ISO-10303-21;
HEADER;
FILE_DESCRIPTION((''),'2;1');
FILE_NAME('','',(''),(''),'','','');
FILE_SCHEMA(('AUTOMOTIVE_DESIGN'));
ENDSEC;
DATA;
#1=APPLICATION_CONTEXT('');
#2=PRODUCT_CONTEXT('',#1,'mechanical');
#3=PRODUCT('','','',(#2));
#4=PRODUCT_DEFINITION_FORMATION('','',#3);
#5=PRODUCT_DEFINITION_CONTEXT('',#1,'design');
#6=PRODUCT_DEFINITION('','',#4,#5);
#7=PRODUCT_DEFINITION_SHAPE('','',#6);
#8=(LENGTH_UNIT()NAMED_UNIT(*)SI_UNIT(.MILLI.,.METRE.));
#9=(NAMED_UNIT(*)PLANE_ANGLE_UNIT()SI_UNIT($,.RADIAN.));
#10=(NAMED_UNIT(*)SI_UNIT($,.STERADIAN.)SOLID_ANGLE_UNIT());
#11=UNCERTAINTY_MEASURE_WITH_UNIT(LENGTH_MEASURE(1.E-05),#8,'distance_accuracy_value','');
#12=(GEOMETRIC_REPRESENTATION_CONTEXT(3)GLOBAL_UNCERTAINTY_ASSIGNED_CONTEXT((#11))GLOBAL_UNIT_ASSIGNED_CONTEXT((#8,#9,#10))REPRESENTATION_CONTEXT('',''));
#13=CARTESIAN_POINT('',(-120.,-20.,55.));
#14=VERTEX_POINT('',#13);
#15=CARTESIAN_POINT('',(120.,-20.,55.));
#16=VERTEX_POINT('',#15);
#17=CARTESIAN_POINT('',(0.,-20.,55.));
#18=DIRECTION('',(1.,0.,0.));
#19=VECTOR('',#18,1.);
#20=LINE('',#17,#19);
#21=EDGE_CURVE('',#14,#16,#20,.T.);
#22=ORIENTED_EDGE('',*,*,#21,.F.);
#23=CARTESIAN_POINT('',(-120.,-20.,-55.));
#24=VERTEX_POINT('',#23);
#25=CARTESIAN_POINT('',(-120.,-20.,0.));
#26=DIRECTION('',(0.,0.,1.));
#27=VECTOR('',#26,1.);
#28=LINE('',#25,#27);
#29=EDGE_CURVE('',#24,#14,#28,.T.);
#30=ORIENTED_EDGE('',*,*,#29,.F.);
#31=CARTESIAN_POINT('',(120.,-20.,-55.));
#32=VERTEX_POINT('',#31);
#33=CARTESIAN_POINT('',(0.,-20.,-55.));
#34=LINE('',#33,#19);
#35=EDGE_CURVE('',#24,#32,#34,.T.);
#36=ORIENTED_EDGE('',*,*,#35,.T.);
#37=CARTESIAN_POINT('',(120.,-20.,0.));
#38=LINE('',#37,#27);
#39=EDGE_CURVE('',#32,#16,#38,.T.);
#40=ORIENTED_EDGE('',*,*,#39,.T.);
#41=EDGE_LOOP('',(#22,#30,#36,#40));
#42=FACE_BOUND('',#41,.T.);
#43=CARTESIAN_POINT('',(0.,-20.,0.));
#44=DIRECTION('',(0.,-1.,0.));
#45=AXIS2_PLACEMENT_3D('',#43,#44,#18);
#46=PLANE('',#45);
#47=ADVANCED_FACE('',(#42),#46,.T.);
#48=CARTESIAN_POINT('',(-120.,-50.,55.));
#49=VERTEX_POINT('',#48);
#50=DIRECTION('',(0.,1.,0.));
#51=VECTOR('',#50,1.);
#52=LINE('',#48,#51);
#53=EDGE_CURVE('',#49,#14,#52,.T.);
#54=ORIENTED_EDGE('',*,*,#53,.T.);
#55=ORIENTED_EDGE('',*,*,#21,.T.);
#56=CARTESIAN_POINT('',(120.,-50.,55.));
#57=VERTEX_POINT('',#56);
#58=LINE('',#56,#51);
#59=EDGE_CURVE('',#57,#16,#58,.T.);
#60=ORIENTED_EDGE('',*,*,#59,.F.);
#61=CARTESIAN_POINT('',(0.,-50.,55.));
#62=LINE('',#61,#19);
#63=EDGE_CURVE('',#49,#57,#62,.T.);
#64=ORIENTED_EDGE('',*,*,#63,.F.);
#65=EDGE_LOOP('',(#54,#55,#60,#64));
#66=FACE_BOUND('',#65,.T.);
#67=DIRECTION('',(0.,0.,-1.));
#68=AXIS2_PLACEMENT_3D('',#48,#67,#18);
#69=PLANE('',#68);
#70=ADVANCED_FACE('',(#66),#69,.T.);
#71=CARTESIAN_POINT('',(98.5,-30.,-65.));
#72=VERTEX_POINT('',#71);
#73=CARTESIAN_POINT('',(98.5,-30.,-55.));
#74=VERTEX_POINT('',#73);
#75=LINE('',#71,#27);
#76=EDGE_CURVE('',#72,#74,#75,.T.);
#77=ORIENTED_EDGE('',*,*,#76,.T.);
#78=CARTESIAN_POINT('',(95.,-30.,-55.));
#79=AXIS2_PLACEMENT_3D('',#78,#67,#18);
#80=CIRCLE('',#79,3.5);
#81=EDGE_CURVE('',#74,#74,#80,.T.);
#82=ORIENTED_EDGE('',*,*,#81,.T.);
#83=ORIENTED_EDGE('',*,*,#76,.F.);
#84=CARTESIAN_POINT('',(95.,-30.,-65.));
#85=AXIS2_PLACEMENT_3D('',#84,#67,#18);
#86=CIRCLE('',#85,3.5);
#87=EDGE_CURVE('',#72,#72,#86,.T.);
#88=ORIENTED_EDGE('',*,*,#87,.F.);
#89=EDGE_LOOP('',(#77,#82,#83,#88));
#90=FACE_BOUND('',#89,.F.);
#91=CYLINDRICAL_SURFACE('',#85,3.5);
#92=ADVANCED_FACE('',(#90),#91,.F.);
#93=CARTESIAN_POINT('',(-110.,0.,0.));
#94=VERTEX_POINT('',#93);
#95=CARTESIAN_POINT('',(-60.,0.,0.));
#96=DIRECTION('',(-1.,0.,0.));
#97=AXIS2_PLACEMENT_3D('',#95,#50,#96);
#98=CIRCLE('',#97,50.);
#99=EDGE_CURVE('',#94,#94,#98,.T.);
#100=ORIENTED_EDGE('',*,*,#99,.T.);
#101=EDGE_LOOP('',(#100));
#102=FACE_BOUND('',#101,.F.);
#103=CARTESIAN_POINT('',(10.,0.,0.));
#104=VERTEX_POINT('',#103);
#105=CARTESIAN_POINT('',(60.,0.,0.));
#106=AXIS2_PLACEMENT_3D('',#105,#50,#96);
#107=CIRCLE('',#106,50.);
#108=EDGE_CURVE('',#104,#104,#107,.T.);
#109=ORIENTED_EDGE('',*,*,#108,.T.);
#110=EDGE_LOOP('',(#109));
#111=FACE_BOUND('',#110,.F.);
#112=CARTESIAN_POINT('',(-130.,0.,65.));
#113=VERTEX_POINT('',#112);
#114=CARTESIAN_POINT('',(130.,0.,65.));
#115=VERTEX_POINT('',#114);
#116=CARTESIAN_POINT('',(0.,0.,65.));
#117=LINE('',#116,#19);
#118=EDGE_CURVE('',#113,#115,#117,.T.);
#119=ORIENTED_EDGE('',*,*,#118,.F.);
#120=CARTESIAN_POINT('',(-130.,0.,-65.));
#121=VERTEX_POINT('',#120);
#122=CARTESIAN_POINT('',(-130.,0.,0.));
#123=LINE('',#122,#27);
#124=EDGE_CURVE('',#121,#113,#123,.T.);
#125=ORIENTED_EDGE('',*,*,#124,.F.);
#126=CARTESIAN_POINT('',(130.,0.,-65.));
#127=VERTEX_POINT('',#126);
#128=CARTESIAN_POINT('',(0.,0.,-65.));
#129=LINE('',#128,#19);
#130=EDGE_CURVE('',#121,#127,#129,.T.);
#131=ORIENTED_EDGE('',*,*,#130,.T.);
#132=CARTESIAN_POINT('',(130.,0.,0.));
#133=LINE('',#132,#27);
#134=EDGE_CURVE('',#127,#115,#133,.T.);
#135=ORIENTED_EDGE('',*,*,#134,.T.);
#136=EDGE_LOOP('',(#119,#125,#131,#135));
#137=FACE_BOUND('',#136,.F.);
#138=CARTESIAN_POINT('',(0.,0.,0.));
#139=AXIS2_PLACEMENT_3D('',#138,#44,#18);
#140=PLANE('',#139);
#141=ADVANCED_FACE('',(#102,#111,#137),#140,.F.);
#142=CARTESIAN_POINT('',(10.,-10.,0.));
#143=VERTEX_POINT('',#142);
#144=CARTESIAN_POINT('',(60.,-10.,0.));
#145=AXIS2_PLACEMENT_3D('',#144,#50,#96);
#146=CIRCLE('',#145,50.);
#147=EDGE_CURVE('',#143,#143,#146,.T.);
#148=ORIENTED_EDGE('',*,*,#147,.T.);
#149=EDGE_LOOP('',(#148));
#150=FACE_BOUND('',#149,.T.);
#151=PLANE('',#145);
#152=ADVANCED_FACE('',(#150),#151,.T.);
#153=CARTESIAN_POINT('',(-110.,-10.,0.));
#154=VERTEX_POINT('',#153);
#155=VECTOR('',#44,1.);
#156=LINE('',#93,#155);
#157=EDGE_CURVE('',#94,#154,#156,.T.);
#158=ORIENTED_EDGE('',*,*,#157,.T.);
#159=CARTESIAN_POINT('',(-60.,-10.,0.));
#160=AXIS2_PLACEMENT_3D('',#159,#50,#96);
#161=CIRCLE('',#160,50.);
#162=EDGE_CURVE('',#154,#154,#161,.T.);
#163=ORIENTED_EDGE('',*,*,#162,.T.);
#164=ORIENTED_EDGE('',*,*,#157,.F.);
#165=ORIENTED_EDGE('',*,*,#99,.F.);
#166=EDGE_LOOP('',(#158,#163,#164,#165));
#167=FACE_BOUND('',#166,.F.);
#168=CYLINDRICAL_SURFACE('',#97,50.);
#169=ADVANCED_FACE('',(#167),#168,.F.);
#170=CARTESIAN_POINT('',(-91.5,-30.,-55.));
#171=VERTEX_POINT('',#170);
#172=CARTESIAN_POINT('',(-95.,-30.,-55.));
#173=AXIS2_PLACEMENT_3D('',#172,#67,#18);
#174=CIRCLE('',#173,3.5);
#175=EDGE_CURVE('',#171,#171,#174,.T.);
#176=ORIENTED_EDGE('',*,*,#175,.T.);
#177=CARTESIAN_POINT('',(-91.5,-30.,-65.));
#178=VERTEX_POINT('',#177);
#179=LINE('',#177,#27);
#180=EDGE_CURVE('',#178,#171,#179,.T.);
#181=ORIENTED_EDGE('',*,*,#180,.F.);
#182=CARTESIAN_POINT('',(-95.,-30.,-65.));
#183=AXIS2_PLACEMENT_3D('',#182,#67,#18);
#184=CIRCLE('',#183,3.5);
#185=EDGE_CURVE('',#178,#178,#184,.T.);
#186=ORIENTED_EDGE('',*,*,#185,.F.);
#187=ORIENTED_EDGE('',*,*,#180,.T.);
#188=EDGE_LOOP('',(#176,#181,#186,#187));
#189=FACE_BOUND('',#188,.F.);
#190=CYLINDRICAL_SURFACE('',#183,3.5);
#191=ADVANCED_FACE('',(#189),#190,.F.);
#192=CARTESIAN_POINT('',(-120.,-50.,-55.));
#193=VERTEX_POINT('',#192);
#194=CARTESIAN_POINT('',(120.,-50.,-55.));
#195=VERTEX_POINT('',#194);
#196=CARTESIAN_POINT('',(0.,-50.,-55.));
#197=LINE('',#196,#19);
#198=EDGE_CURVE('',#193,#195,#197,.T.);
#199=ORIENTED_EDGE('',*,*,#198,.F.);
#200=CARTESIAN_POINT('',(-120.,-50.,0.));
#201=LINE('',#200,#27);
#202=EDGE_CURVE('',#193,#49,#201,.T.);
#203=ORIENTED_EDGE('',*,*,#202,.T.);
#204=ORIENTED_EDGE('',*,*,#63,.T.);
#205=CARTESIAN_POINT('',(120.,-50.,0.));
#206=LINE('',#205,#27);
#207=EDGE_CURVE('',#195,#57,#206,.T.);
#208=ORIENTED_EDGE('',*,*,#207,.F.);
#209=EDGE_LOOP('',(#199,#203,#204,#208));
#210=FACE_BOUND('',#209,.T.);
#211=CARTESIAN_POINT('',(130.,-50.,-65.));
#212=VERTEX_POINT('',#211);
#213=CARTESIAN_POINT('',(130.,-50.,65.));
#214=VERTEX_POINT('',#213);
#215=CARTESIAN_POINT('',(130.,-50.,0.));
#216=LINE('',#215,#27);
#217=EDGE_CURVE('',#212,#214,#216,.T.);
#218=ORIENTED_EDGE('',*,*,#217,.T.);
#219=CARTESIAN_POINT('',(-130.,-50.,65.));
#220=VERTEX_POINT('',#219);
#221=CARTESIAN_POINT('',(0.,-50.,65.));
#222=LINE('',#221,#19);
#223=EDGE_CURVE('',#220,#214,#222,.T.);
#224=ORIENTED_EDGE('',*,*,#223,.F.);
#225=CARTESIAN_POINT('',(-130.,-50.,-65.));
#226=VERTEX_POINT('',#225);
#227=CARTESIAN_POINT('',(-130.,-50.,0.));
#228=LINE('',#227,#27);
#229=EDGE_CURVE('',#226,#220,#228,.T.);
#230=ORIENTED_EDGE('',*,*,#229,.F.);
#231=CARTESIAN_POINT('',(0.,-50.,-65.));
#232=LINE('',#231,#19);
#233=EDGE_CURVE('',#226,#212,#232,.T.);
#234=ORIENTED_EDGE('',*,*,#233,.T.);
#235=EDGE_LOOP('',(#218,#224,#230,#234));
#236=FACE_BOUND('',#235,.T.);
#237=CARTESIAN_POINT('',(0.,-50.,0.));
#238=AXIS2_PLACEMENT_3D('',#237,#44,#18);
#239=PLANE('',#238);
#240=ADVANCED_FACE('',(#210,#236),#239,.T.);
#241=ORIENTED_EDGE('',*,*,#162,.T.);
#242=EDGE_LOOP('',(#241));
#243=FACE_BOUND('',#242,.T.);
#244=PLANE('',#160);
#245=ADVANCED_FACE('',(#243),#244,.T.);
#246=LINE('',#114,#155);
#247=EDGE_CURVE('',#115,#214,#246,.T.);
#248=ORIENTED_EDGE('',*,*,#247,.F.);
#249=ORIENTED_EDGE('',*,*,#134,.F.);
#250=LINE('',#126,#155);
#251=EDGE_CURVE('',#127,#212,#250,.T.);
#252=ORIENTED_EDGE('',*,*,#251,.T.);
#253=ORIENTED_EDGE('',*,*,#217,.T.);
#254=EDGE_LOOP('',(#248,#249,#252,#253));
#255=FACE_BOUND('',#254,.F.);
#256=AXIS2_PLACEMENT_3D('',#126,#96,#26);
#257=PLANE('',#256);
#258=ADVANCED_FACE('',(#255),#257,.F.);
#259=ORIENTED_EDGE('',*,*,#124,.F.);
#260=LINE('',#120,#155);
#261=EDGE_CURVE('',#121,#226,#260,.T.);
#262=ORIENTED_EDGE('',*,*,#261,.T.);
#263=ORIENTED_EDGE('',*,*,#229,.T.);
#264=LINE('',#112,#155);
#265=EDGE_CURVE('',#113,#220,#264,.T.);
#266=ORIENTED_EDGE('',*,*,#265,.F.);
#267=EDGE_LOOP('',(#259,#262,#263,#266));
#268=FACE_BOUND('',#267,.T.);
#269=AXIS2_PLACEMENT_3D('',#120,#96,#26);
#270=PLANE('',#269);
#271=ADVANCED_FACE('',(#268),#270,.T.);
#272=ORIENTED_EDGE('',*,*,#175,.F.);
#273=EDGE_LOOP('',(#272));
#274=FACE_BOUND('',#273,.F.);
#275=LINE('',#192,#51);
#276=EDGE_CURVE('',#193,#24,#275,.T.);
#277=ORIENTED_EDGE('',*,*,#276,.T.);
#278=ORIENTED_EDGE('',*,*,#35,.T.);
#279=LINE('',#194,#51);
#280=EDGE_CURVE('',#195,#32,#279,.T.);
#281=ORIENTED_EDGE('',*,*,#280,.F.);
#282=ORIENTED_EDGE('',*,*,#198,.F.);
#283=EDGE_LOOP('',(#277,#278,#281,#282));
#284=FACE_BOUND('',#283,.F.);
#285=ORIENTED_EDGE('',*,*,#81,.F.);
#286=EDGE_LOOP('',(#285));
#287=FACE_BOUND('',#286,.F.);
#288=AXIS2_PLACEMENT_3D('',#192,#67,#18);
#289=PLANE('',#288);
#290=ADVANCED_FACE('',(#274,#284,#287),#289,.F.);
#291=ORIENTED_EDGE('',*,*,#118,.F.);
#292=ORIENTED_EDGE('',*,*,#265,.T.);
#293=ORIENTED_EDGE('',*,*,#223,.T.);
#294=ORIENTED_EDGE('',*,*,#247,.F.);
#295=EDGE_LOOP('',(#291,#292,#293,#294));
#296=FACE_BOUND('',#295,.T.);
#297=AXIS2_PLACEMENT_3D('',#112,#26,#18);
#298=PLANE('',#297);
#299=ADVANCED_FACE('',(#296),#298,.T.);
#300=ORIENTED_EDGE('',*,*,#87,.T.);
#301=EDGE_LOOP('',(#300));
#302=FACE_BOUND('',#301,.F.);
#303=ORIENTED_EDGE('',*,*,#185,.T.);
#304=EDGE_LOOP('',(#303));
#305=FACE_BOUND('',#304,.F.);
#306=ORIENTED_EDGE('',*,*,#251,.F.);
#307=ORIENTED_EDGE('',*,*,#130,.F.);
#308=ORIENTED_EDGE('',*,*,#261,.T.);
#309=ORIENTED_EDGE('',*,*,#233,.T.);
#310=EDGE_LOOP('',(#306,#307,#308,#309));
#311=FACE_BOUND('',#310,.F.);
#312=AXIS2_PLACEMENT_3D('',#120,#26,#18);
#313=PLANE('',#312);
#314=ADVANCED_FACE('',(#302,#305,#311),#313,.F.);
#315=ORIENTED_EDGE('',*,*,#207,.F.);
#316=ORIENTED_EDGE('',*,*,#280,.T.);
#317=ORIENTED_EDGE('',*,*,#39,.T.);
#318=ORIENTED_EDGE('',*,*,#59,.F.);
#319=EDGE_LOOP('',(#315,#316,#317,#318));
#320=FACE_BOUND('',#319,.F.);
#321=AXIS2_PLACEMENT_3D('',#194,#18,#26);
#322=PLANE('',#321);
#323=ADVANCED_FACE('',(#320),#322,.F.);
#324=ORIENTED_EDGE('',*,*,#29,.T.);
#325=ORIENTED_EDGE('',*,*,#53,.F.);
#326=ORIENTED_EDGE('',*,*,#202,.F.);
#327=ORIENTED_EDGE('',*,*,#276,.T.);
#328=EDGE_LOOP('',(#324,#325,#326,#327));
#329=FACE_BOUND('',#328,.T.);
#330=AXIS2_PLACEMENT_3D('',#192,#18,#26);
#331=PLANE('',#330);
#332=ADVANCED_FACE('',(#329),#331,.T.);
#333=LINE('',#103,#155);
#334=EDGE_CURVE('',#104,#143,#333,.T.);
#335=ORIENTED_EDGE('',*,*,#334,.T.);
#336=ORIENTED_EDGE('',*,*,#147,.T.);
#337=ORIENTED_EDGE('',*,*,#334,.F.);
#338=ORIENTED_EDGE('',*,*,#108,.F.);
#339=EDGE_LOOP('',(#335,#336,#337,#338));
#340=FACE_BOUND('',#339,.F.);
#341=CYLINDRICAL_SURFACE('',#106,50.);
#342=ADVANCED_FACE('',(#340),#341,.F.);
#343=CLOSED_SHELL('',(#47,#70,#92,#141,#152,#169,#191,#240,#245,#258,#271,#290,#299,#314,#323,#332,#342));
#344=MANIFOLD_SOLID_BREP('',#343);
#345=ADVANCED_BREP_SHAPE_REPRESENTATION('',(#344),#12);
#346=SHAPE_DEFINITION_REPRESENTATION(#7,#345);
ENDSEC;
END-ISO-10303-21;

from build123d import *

# Parameters (mm, degrees)
F0_W     = 260
F0_H     = 130
F1_DEPTH = 50
F2_R     = 50
F3_DEPTH = 10
F4_W     = 240
F4_H     = 110
F5_DEPTH = 30
F6_R     = 3.5
F7_DEPTH = 50


with BuildPart() as f1:
    # F0 (on Front) → F1 (new body)
    with BuildSketch(Plane.XZ):
        Rectangle(F0_W, F0_H)
    extrude(amount=F1_DEPTH)

    # F2 (on face) → F3 (cut)
    with BuildSketch(Plane(origin=(0, 0, 0), x_dir=(-1, 0, 0), z_dir=(0, 1, 0))):
        with Locations((60, 0)):
            Circle(F2_R)
        with Locations((-60, 0)):
            Circle(F2_R)
    extrude(amount=-F3_DEPTH, mode=Mode.SUBTRACT)

    # F4 (on face) → F5 (cut)
    with BuildSketch(Plane.XZ.offset(50)):
        Rectangle(F4_W, F4_H)
    extrude(amount=-F5_DEPTH, mode=Mode.SUBTRACT)

    # F6 (on face) → F7 (cut)
    with BuildSketch(Plane(origin=(0, 0, -65), x_dir=(1, 0, 0), z_dir=(0, 0, -1))):
        with Locations((95, 30)):
            Circle(F6_R)
        with Locations((-95, 30)):
            Circle(F6_R)
    extrude(amount=-F7_DEPTH, mode=Mode.SUBTRACT)


solid = f1.part
